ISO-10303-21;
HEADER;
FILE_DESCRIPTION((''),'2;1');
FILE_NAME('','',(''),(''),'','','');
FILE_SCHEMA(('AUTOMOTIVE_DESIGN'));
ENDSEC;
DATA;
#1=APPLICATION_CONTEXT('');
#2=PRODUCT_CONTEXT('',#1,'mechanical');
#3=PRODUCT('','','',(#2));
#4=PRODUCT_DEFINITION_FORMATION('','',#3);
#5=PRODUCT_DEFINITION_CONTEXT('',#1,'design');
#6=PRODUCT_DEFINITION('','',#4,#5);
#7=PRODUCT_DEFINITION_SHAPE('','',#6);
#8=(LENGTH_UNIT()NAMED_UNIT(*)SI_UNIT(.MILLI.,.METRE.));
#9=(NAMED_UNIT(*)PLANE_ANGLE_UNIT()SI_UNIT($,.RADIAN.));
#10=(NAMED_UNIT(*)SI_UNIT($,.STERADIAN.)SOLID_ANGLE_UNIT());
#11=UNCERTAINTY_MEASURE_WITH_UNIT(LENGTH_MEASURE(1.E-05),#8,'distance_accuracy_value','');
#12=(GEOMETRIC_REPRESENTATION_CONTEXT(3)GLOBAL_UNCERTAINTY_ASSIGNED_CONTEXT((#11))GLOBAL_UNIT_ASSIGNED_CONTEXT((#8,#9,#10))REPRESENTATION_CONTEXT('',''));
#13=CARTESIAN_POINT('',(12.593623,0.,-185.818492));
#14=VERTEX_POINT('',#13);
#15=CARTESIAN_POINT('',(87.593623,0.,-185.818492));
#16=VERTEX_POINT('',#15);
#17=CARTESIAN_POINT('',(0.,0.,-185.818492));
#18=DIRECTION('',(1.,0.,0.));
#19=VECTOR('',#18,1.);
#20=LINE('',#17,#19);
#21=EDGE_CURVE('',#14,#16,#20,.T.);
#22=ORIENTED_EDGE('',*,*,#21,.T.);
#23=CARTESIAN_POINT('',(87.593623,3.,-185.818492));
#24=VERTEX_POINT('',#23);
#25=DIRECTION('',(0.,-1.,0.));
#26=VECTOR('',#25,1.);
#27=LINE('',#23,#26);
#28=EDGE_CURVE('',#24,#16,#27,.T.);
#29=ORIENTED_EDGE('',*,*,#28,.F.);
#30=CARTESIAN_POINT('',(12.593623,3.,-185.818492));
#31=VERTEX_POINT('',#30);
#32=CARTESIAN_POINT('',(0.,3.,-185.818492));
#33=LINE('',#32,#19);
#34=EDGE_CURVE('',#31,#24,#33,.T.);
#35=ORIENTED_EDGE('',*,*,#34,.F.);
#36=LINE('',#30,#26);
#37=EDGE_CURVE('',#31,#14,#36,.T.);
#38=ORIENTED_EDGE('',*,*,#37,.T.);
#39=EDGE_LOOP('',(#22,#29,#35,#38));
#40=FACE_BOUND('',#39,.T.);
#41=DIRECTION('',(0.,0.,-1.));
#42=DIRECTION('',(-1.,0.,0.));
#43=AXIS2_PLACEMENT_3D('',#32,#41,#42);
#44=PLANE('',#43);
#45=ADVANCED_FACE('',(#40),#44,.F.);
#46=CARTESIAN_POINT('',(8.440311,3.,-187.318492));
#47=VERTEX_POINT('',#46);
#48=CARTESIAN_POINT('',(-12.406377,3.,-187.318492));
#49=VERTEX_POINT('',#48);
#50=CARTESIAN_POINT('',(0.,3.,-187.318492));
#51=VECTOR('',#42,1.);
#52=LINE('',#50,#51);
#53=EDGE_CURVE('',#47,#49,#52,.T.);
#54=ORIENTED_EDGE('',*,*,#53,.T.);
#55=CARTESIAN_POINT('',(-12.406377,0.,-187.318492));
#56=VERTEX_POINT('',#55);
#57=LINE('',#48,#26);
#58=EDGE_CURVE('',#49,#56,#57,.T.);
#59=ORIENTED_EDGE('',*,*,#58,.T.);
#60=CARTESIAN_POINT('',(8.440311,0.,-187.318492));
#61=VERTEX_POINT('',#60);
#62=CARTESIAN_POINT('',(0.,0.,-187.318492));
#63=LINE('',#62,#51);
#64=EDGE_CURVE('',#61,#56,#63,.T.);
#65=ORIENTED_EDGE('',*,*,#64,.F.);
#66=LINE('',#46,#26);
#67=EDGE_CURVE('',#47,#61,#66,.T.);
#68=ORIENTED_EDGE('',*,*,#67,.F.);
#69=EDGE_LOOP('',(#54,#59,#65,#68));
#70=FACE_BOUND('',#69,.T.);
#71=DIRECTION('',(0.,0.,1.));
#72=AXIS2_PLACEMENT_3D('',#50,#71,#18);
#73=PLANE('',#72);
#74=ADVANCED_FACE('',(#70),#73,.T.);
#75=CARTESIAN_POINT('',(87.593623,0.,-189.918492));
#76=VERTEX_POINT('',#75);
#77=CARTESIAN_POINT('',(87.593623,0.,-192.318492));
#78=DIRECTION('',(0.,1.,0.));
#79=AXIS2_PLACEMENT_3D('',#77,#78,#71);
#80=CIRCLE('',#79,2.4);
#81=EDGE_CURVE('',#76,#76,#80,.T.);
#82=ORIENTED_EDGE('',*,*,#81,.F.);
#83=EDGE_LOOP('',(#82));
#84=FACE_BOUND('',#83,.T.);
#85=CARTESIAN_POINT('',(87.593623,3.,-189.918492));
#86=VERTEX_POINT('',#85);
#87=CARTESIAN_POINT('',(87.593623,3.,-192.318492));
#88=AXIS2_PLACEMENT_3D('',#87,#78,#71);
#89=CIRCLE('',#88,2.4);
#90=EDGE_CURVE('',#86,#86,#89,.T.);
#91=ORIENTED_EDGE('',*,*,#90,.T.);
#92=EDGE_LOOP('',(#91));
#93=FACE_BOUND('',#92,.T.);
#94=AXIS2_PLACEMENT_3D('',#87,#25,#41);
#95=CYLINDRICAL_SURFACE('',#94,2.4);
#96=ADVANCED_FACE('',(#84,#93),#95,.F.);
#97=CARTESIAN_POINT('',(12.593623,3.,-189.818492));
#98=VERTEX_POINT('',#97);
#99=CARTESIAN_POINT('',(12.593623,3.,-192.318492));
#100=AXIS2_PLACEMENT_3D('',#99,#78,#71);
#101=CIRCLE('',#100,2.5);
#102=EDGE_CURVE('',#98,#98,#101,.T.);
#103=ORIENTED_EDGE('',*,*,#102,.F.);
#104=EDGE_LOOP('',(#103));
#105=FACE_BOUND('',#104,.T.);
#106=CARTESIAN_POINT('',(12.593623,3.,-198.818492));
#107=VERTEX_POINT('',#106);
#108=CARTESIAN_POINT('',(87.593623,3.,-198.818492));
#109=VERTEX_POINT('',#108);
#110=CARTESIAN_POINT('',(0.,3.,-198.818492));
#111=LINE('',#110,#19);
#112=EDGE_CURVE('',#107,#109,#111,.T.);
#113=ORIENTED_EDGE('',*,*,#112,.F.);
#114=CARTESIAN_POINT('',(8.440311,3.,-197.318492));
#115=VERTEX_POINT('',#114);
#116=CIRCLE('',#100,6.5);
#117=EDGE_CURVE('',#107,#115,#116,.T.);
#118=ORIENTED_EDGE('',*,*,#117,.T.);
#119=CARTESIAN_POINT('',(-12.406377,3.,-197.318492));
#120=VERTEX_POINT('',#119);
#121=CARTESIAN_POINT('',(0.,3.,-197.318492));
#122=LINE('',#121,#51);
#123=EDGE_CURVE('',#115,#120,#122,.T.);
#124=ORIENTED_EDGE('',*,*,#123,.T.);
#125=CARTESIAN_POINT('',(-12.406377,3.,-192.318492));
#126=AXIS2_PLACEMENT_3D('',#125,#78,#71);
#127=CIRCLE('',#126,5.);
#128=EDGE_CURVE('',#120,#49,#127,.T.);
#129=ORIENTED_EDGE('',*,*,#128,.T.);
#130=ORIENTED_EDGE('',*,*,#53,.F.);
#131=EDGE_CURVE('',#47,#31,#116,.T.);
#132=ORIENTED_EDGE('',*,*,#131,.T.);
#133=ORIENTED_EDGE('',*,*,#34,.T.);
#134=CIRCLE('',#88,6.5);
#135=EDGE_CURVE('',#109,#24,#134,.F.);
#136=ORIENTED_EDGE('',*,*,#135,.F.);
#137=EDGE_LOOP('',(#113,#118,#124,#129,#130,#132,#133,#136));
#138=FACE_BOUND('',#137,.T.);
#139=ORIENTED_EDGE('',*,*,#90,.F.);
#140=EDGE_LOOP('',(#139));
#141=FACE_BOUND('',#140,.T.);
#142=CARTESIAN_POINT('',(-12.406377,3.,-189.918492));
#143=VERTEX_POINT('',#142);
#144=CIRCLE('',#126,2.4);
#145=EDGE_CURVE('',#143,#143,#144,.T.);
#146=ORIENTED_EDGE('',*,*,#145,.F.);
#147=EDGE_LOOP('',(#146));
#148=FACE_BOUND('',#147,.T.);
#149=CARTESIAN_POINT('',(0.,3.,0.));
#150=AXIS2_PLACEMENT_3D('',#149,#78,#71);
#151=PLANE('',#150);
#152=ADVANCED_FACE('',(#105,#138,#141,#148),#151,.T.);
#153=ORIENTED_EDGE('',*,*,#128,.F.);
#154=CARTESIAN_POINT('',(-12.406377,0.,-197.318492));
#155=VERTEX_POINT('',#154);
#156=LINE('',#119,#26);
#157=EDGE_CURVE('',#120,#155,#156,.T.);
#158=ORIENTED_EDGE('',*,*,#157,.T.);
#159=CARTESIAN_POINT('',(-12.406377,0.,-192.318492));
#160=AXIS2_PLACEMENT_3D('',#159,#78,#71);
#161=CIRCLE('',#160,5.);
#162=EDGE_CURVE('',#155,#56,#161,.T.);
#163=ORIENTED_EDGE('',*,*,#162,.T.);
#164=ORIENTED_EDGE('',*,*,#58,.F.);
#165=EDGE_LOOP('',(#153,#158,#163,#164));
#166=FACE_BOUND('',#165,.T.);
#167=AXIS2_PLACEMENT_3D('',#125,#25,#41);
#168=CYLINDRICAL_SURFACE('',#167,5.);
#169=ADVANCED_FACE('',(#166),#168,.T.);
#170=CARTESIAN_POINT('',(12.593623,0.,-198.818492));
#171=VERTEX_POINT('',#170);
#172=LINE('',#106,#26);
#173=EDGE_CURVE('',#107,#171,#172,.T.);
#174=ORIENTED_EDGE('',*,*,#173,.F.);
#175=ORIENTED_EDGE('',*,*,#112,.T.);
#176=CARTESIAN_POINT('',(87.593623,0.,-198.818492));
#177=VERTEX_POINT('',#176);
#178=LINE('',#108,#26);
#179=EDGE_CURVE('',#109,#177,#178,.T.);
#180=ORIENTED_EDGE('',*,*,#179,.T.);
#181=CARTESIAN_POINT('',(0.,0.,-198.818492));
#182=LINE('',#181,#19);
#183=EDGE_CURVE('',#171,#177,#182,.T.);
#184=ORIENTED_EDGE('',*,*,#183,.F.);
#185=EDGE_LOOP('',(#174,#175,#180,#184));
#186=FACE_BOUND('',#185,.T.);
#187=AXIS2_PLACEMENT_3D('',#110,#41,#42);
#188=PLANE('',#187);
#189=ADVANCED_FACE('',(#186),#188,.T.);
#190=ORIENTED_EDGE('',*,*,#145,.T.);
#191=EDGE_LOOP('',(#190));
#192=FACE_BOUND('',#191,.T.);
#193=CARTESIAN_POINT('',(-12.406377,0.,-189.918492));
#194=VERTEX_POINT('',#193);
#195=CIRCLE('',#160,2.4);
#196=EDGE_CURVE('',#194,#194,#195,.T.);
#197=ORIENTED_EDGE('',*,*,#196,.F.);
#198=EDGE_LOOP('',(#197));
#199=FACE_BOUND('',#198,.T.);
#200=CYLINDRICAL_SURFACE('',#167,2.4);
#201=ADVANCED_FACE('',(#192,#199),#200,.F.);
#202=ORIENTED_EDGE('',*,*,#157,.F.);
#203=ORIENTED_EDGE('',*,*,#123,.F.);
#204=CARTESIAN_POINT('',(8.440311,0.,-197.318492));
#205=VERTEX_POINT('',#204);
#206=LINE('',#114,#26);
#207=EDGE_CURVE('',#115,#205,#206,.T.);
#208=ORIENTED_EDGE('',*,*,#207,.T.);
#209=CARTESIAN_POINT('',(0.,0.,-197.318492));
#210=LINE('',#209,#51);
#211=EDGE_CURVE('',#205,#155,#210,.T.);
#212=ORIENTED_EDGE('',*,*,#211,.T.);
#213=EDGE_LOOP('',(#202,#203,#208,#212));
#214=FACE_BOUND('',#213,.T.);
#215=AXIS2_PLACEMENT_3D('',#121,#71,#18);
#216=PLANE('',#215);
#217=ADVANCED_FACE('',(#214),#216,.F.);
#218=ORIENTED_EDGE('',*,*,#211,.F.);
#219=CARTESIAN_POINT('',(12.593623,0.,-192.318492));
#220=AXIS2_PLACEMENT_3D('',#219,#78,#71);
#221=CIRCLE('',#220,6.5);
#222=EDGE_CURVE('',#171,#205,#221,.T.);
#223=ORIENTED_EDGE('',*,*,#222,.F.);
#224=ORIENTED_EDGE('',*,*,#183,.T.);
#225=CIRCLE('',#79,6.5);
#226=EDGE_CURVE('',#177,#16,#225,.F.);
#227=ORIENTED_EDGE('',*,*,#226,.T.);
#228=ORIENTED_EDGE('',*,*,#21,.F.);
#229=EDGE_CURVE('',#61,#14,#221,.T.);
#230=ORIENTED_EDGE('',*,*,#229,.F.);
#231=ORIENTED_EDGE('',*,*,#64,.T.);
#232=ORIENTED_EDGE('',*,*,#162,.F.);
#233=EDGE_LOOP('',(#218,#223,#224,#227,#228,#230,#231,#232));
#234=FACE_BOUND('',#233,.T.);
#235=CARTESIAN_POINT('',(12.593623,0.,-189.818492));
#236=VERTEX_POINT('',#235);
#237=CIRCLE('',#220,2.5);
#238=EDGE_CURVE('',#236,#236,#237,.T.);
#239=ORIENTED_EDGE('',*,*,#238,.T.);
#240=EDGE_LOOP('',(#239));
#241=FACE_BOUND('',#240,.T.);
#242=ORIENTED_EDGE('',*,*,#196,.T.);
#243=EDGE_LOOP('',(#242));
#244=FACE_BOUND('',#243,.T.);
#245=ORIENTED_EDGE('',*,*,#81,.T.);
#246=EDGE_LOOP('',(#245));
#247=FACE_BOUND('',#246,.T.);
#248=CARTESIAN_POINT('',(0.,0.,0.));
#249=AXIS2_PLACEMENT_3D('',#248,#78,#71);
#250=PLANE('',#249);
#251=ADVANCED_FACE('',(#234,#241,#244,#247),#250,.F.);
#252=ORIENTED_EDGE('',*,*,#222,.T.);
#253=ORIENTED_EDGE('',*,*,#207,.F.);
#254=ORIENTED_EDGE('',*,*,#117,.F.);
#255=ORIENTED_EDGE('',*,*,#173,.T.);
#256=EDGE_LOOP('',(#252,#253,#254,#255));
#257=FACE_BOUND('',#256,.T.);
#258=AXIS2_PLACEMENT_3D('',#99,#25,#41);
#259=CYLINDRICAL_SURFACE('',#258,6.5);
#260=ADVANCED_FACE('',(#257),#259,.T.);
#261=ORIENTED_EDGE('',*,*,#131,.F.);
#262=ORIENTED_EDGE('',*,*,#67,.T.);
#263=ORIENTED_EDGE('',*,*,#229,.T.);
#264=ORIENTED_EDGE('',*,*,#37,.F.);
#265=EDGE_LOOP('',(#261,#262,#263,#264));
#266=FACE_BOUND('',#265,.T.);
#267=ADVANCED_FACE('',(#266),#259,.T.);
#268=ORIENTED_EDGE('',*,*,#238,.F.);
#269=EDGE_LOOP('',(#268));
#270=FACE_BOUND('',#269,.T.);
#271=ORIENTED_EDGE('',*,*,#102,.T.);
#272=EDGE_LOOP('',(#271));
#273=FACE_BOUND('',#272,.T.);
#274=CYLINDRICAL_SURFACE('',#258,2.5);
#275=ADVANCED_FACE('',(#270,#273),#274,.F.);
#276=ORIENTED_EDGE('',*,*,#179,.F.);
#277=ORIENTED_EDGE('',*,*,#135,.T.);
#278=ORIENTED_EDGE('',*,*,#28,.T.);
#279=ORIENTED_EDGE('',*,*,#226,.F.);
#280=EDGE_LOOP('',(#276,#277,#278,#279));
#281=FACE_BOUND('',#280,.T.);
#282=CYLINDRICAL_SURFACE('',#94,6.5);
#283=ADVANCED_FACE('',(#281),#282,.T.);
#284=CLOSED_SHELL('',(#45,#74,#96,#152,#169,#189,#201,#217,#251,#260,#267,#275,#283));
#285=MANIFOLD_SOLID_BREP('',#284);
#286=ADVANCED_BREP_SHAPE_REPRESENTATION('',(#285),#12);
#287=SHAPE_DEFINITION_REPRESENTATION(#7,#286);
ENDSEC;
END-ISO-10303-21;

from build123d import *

# Parameters (mm, degrees)
SKETCH2_R           = 2.5
SKETCH2_R_2         = 2.4
BOSS_EXTRUDE1_DEPTH = 3


with BuildPart() as part:
    # Sketch2 → Boss-Extrude1 (new body)
    with BuildSketch(Plane(origin=(0, 0, 0), x_dir=(1, 0, 0), z_dir=(0, 1, 0))):
        with BuildLine():
            Line((87.593623105, 198.818492307), (12.593623105, 198.818492307))
            ThreePointArc((12.593623105, 198.818492307), (10.385682888, 198.432001937), (8.440311173, 197.318492307))
            Line((8.440311173, 197.318492307), (-12.406376895, 197.318492307))
            ThreePointArc((-12.406376895, 197.318492307), (-17.406376895, 192.318492307), (-12.406376895, 187.318492307))
            Line((-12.406376895, 187.318492307), (8.440311173, 187.318492307))
            ThreePointArc((8.440311173, 187.318492307), (10.385682888, 186.204982677), (12.593623105, 185.818492307))
            Line((12.593623105, 185.818492307), (87.593623105, 185.818492307))
            ThreePointArc((87.593623105, 185.818492307), (94.093623105, 192.318492307), (87.593623105, 198.818492307))
        make_face()
        with Locations(Location((12.593623105, 192.318492307, 0), (0, 0, 270))):
            Circle(SKETCH2_R, mode=Mode.SUBTRACT)
        with Locations(Location((87.593623105, 192.318492307, 0), (0, 0, 270))):
            Circle(SKETCH2_R_2, mode=Mode.SUBTRACT)
        with Locations(Location((-12.406376895, 192.318492307, 0), (0, 0, 270))):
            Circle(SKETCH2_R_2, mode=Mode.SUBTRACT)
    extrude(amount=BOSS_EXTRUDE1_DEPTH)


solid = part.part
